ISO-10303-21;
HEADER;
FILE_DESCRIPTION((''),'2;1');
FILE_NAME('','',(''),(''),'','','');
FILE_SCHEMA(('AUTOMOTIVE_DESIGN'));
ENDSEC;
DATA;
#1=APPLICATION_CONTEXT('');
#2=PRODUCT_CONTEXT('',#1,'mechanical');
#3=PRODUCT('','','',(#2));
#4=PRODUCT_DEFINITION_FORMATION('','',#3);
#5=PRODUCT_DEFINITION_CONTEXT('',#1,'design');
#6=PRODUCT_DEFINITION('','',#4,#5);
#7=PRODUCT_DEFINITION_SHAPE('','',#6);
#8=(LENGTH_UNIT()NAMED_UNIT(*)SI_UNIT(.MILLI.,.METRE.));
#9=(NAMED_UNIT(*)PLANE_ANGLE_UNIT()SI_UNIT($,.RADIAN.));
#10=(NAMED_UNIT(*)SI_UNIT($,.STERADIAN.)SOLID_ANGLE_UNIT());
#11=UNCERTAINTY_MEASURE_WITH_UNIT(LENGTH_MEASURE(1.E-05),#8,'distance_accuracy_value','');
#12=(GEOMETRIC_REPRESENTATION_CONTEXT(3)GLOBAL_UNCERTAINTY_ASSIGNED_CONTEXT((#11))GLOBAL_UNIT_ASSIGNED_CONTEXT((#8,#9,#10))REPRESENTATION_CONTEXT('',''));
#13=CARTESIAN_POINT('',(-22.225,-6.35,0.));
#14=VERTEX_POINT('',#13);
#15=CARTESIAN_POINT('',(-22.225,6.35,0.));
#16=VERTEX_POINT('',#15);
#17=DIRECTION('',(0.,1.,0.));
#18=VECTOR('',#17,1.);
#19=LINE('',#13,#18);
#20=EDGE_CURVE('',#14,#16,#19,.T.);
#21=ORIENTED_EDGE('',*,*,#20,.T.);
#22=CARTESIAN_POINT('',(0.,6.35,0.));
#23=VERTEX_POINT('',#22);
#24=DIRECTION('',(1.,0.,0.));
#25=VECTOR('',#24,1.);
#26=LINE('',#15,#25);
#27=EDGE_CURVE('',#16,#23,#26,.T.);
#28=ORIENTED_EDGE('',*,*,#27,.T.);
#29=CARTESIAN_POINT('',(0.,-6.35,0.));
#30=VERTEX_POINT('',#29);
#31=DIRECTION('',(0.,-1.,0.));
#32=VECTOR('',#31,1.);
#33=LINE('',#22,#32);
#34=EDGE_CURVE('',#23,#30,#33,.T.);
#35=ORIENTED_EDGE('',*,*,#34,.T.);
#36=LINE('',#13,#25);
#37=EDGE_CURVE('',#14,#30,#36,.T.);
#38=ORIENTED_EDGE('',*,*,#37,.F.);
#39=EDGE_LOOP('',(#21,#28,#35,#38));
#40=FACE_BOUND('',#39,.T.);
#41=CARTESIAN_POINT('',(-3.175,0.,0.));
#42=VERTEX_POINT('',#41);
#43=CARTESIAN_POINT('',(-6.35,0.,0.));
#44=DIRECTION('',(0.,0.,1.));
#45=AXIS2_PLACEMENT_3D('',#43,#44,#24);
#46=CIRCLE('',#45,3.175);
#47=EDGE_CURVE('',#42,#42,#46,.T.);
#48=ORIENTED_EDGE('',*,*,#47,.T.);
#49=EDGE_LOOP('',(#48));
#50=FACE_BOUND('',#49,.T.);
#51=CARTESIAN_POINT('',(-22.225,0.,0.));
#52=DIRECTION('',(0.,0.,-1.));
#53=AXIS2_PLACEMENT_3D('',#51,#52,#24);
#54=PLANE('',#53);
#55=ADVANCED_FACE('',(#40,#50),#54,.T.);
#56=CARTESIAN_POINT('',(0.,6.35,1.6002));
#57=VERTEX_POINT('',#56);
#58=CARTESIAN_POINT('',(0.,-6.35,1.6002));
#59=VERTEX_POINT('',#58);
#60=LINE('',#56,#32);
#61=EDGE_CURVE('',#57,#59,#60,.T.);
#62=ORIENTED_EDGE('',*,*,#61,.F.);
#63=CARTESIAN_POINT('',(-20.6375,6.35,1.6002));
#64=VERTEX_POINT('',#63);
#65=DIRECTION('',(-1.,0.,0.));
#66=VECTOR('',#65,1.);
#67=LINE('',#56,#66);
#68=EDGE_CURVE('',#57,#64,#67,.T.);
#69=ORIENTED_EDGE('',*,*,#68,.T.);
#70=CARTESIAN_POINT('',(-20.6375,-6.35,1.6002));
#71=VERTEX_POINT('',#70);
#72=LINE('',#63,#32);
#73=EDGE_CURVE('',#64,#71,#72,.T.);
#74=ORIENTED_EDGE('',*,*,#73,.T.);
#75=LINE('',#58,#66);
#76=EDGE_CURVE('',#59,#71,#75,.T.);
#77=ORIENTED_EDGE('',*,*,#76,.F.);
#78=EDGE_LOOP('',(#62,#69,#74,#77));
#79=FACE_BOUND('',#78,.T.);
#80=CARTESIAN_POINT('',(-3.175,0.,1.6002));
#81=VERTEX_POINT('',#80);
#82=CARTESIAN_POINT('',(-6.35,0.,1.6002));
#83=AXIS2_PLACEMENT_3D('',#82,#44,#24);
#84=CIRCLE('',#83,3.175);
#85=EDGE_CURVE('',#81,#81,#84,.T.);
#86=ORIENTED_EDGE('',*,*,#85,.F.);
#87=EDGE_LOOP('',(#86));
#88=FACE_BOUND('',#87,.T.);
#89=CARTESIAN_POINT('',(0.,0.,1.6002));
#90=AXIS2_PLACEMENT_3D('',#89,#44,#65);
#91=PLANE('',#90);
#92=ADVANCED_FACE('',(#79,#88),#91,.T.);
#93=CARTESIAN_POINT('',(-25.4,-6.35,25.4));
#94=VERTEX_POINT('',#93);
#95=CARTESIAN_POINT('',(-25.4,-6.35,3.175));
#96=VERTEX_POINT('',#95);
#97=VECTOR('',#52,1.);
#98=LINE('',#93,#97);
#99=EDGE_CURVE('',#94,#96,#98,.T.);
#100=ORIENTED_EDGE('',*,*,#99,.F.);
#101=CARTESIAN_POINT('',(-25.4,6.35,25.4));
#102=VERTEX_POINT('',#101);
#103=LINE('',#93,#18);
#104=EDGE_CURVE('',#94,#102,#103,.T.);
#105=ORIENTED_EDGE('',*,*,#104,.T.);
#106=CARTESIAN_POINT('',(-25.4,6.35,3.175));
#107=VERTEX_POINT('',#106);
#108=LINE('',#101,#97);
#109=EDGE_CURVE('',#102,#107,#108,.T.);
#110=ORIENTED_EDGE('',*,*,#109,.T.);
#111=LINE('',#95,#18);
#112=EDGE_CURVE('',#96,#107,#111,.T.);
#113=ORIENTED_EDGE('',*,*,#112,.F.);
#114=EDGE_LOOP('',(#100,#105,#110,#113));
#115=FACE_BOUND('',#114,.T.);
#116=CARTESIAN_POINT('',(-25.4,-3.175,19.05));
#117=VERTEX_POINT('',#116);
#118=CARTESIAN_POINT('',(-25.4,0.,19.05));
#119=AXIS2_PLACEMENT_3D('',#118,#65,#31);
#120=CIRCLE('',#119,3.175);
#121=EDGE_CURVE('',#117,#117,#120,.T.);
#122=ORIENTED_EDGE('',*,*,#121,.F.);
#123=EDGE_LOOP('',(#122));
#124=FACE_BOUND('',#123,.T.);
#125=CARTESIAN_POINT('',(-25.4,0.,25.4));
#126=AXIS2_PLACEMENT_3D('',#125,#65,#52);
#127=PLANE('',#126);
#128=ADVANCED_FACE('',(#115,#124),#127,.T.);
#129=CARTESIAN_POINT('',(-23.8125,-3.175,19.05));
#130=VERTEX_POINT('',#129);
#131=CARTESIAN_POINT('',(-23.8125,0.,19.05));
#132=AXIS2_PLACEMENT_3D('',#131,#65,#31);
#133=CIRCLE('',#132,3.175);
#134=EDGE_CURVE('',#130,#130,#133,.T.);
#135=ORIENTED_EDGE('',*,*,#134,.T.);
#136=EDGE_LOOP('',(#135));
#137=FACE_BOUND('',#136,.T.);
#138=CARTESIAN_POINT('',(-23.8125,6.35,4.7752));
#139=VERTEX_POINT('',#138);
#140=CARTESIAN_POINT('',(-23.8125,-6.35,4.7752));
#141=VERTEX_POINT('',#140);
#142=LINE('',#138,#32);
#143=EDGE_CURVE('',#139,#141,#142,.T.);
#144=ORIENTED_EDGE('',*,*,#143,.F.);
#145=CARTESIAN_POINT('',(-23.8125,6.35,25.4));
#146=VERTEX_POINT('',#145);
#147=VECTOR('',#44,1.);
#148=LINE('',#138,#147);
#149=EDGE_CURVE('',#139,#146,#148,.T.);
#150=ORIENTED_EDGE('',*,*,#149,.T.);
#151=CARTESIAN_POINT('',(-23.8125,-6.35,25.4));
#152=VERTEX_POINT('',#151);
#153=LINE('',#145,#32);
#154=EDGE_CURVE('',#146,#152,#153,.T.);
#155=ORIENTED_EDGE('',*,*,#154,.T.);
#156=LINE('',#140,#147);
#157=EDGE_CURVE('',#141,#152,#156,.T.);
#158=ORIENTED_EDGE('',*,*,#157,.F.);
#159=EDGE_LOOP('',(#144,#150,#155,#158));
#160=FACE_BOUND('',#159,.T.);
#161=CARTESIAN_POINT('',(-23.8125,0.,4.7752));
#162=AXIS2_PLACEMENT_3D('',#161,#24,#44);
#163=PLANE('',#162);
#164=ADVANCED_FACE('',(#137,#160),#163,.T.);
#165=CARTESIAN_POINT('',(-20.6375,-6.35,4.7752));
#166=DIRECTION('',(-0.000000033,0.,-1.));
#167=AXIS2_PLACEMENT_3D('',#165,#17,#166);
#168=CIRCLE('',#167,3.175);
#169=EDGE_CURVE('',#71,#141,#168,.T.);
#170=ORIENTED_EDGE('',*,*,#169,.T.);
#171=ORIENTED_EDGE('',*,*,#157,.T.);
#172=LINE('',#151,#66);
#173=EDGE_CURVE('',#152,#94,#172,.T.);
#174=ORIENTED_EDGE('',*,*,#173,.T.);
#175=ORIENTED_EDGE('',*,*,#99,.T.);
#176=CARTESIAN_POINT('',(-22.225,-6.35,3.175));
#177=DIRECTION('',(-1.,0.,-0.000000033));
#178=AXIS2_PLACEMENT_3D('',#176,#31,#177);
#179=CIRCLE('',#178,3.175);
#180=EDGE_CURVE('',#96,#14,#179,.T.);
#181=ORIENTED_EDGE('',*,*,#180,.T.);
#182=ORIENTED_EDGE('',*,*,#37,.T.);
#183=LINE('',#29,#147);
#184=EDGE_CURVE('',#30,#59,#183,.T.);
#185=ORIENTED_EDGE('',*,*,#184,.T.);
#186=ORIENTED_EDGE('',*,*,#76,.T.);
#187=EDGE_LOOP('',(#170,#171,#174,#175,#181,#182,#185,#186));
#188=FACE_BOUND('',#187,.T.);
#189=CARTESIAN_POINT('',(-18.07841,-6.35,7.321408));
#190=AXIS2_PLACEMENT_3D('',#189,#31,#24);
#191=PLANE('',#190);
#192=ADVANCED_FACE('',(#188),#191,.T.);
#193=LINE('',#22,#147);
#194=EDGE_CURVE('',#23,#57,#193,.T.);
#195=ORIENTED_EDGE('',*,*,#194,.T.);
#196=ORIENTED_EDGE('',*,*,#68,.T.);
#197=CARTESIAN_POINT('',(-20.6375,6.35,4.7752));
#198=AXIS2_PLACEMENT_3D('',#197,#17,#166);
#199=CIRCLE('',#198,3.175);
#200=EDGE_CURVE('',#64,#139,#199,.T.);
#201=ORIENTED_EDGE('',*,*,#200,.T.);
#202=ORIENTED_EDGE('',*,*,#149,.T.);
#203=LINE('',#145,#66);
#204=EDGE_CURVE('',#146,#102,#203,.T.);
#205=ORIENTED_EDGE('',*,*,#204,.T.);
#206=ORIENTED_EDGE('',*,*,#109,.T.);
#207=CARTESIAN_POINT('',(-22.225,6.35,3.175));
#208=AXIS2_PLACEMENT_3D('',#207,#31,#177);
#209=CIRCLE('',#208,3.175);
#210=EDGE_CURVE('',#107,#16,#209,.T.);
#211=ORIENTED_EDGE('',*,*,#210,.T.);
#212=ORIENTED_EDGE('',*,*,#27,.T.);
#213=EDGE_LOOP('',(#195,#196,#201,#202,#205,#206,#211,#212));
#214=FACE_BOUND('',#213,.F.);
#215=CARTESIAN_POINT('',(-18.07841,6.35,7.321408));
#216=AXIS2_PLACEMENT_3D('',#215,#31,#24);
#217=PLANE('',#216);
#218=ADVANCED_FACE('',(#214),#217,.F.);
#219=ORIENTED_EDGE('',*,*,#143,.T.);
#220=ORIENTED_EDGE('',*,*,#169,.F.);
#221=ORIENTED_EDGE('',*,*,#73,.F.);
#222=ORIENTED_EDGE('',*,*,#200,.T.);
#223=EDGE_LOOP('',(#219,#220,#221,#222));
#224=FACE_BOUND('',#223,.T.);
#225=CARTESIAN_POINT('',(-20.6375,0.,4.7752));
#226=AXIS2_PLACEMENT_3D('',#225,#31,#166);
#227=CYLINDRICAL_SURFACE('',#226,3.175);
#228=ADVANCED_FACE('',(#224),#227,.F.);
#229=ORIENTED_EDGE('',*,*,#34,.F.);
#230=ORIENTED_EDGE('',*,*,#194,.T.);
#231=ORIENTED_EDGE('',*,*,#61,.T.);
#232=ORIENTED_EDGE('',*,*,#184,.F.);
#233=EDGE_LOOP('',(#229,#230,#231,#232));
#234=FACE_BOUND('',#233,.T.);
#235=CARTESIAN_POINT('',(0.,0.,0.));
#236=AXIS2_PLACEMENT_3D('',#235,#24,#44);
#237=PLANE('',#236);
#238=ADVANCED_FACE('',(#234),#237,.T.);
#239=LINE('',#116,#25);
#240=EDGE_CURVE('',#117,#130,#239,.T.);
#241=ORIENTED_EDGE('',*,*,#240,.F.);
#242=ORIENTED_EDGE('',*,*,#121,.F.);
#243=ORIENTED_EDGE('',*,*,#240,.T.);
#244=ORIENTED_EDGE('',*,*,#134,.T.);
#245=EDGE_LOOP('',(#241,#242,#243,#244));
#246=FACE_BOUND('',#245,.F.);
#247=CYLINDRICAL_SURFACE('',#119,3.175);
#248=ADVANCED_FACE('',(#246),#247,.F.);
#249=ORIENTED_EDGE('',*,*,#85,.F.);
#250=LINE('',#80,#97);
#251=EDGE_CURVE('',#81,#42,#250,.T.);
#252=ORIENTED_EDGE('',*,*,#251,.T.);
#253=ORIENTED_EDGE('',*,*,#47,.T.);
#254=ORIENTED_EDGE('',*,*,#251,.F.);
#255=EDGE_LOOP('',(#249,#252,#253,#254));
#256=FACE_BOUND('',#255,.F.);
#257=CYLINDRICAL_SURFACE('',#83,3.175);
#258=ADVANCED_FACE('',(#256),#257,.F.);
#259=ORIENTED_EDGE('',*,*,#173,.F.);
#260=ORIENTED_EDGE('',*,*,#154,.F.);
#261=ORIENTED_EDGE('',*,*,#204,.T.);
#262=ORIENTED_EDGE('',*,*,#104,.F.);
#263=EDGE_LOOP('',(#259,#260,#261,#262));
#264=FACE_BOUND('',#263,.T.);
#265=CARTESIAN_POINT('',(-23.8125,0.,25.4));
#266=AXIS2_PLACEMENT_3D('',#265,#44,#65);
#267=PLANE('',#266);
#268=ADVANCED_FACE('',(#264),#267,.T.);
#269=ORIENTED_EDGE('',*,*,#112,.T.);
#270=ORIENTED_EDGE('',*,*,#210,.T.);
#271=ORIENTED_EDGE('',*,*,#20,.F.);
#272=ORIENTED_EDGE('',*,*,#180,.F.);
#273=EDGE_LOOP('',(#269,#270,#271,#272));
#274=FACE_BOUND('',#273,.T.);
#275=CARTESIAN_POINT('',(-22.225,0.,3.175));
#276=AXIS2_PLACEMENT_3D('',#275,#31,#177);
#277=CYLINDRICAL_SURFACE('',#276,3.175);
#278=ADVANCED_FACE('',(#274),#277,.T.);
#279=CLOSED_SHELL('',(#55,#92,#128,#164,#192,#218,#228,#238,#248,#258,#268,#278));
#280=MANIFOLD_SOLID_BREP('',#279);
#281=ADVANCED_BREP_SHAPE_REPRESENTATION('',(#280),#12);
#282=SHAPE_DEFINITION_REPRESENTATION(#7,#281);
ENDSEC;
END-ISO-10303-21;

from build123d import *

# Parameters (mm, degrees)
F1_DEPTH = 6.35
F2_R     = 3.175
F3_DEPTH = 5.08
F4_R     = 3.175
F5_DEPTH = 5.08


with BuildPart() as f1:
    # F0 (on Front) → F1 (new body, symmetric)
    with BuildSketch(Plane.XZ):
        with BuildLine():
            Line((-22.225, 0), (0, 0))
            Line((0, 0), (0, 1.6002))
            Line((0, 1.6002), (-20.6375, 1.6002))
            ThreePointArc((-20.6375, 1.6002), (-22.882564, 2.530136), (-23.8125, 4.7752))
            Line((-23.8125, 4.7752), (-23.8125, 25.4))
            Line((-23.8125, 25.4), (-25.4, 25.4))
            Line((-25.4, 25.4), (-25.4, 3.175))
            ThreePointArc((-25.4, 3.175), (-24.470064, 0.929936), (-22.225, 0))
        make_face()
    extrude(amount=F1_DEPTH, both=True)

    # F2 (on face) → F3 (cut)
    with BuildSketch(Plane(origin=(-25.4, 0, 0), x_dir=(0, -1, 0), z_dir=(-1, 0, 0))):
        with Locations((0, 19.05)):
            Circle(F2_R)
    extrude(amount=-F3_DEPTH, mode=Mode.SUBTRACT)

    # F4 (on face) → F5 (cut)
    with BuildSketch(Plane.XY.offset(1.6002)):
        with Locations((-6.35, 0)):
            Circle(F4_R)
    extrude(amount=-F5_DEPTH, mode=Mode.SUBTRACT)


solid = f1.part
